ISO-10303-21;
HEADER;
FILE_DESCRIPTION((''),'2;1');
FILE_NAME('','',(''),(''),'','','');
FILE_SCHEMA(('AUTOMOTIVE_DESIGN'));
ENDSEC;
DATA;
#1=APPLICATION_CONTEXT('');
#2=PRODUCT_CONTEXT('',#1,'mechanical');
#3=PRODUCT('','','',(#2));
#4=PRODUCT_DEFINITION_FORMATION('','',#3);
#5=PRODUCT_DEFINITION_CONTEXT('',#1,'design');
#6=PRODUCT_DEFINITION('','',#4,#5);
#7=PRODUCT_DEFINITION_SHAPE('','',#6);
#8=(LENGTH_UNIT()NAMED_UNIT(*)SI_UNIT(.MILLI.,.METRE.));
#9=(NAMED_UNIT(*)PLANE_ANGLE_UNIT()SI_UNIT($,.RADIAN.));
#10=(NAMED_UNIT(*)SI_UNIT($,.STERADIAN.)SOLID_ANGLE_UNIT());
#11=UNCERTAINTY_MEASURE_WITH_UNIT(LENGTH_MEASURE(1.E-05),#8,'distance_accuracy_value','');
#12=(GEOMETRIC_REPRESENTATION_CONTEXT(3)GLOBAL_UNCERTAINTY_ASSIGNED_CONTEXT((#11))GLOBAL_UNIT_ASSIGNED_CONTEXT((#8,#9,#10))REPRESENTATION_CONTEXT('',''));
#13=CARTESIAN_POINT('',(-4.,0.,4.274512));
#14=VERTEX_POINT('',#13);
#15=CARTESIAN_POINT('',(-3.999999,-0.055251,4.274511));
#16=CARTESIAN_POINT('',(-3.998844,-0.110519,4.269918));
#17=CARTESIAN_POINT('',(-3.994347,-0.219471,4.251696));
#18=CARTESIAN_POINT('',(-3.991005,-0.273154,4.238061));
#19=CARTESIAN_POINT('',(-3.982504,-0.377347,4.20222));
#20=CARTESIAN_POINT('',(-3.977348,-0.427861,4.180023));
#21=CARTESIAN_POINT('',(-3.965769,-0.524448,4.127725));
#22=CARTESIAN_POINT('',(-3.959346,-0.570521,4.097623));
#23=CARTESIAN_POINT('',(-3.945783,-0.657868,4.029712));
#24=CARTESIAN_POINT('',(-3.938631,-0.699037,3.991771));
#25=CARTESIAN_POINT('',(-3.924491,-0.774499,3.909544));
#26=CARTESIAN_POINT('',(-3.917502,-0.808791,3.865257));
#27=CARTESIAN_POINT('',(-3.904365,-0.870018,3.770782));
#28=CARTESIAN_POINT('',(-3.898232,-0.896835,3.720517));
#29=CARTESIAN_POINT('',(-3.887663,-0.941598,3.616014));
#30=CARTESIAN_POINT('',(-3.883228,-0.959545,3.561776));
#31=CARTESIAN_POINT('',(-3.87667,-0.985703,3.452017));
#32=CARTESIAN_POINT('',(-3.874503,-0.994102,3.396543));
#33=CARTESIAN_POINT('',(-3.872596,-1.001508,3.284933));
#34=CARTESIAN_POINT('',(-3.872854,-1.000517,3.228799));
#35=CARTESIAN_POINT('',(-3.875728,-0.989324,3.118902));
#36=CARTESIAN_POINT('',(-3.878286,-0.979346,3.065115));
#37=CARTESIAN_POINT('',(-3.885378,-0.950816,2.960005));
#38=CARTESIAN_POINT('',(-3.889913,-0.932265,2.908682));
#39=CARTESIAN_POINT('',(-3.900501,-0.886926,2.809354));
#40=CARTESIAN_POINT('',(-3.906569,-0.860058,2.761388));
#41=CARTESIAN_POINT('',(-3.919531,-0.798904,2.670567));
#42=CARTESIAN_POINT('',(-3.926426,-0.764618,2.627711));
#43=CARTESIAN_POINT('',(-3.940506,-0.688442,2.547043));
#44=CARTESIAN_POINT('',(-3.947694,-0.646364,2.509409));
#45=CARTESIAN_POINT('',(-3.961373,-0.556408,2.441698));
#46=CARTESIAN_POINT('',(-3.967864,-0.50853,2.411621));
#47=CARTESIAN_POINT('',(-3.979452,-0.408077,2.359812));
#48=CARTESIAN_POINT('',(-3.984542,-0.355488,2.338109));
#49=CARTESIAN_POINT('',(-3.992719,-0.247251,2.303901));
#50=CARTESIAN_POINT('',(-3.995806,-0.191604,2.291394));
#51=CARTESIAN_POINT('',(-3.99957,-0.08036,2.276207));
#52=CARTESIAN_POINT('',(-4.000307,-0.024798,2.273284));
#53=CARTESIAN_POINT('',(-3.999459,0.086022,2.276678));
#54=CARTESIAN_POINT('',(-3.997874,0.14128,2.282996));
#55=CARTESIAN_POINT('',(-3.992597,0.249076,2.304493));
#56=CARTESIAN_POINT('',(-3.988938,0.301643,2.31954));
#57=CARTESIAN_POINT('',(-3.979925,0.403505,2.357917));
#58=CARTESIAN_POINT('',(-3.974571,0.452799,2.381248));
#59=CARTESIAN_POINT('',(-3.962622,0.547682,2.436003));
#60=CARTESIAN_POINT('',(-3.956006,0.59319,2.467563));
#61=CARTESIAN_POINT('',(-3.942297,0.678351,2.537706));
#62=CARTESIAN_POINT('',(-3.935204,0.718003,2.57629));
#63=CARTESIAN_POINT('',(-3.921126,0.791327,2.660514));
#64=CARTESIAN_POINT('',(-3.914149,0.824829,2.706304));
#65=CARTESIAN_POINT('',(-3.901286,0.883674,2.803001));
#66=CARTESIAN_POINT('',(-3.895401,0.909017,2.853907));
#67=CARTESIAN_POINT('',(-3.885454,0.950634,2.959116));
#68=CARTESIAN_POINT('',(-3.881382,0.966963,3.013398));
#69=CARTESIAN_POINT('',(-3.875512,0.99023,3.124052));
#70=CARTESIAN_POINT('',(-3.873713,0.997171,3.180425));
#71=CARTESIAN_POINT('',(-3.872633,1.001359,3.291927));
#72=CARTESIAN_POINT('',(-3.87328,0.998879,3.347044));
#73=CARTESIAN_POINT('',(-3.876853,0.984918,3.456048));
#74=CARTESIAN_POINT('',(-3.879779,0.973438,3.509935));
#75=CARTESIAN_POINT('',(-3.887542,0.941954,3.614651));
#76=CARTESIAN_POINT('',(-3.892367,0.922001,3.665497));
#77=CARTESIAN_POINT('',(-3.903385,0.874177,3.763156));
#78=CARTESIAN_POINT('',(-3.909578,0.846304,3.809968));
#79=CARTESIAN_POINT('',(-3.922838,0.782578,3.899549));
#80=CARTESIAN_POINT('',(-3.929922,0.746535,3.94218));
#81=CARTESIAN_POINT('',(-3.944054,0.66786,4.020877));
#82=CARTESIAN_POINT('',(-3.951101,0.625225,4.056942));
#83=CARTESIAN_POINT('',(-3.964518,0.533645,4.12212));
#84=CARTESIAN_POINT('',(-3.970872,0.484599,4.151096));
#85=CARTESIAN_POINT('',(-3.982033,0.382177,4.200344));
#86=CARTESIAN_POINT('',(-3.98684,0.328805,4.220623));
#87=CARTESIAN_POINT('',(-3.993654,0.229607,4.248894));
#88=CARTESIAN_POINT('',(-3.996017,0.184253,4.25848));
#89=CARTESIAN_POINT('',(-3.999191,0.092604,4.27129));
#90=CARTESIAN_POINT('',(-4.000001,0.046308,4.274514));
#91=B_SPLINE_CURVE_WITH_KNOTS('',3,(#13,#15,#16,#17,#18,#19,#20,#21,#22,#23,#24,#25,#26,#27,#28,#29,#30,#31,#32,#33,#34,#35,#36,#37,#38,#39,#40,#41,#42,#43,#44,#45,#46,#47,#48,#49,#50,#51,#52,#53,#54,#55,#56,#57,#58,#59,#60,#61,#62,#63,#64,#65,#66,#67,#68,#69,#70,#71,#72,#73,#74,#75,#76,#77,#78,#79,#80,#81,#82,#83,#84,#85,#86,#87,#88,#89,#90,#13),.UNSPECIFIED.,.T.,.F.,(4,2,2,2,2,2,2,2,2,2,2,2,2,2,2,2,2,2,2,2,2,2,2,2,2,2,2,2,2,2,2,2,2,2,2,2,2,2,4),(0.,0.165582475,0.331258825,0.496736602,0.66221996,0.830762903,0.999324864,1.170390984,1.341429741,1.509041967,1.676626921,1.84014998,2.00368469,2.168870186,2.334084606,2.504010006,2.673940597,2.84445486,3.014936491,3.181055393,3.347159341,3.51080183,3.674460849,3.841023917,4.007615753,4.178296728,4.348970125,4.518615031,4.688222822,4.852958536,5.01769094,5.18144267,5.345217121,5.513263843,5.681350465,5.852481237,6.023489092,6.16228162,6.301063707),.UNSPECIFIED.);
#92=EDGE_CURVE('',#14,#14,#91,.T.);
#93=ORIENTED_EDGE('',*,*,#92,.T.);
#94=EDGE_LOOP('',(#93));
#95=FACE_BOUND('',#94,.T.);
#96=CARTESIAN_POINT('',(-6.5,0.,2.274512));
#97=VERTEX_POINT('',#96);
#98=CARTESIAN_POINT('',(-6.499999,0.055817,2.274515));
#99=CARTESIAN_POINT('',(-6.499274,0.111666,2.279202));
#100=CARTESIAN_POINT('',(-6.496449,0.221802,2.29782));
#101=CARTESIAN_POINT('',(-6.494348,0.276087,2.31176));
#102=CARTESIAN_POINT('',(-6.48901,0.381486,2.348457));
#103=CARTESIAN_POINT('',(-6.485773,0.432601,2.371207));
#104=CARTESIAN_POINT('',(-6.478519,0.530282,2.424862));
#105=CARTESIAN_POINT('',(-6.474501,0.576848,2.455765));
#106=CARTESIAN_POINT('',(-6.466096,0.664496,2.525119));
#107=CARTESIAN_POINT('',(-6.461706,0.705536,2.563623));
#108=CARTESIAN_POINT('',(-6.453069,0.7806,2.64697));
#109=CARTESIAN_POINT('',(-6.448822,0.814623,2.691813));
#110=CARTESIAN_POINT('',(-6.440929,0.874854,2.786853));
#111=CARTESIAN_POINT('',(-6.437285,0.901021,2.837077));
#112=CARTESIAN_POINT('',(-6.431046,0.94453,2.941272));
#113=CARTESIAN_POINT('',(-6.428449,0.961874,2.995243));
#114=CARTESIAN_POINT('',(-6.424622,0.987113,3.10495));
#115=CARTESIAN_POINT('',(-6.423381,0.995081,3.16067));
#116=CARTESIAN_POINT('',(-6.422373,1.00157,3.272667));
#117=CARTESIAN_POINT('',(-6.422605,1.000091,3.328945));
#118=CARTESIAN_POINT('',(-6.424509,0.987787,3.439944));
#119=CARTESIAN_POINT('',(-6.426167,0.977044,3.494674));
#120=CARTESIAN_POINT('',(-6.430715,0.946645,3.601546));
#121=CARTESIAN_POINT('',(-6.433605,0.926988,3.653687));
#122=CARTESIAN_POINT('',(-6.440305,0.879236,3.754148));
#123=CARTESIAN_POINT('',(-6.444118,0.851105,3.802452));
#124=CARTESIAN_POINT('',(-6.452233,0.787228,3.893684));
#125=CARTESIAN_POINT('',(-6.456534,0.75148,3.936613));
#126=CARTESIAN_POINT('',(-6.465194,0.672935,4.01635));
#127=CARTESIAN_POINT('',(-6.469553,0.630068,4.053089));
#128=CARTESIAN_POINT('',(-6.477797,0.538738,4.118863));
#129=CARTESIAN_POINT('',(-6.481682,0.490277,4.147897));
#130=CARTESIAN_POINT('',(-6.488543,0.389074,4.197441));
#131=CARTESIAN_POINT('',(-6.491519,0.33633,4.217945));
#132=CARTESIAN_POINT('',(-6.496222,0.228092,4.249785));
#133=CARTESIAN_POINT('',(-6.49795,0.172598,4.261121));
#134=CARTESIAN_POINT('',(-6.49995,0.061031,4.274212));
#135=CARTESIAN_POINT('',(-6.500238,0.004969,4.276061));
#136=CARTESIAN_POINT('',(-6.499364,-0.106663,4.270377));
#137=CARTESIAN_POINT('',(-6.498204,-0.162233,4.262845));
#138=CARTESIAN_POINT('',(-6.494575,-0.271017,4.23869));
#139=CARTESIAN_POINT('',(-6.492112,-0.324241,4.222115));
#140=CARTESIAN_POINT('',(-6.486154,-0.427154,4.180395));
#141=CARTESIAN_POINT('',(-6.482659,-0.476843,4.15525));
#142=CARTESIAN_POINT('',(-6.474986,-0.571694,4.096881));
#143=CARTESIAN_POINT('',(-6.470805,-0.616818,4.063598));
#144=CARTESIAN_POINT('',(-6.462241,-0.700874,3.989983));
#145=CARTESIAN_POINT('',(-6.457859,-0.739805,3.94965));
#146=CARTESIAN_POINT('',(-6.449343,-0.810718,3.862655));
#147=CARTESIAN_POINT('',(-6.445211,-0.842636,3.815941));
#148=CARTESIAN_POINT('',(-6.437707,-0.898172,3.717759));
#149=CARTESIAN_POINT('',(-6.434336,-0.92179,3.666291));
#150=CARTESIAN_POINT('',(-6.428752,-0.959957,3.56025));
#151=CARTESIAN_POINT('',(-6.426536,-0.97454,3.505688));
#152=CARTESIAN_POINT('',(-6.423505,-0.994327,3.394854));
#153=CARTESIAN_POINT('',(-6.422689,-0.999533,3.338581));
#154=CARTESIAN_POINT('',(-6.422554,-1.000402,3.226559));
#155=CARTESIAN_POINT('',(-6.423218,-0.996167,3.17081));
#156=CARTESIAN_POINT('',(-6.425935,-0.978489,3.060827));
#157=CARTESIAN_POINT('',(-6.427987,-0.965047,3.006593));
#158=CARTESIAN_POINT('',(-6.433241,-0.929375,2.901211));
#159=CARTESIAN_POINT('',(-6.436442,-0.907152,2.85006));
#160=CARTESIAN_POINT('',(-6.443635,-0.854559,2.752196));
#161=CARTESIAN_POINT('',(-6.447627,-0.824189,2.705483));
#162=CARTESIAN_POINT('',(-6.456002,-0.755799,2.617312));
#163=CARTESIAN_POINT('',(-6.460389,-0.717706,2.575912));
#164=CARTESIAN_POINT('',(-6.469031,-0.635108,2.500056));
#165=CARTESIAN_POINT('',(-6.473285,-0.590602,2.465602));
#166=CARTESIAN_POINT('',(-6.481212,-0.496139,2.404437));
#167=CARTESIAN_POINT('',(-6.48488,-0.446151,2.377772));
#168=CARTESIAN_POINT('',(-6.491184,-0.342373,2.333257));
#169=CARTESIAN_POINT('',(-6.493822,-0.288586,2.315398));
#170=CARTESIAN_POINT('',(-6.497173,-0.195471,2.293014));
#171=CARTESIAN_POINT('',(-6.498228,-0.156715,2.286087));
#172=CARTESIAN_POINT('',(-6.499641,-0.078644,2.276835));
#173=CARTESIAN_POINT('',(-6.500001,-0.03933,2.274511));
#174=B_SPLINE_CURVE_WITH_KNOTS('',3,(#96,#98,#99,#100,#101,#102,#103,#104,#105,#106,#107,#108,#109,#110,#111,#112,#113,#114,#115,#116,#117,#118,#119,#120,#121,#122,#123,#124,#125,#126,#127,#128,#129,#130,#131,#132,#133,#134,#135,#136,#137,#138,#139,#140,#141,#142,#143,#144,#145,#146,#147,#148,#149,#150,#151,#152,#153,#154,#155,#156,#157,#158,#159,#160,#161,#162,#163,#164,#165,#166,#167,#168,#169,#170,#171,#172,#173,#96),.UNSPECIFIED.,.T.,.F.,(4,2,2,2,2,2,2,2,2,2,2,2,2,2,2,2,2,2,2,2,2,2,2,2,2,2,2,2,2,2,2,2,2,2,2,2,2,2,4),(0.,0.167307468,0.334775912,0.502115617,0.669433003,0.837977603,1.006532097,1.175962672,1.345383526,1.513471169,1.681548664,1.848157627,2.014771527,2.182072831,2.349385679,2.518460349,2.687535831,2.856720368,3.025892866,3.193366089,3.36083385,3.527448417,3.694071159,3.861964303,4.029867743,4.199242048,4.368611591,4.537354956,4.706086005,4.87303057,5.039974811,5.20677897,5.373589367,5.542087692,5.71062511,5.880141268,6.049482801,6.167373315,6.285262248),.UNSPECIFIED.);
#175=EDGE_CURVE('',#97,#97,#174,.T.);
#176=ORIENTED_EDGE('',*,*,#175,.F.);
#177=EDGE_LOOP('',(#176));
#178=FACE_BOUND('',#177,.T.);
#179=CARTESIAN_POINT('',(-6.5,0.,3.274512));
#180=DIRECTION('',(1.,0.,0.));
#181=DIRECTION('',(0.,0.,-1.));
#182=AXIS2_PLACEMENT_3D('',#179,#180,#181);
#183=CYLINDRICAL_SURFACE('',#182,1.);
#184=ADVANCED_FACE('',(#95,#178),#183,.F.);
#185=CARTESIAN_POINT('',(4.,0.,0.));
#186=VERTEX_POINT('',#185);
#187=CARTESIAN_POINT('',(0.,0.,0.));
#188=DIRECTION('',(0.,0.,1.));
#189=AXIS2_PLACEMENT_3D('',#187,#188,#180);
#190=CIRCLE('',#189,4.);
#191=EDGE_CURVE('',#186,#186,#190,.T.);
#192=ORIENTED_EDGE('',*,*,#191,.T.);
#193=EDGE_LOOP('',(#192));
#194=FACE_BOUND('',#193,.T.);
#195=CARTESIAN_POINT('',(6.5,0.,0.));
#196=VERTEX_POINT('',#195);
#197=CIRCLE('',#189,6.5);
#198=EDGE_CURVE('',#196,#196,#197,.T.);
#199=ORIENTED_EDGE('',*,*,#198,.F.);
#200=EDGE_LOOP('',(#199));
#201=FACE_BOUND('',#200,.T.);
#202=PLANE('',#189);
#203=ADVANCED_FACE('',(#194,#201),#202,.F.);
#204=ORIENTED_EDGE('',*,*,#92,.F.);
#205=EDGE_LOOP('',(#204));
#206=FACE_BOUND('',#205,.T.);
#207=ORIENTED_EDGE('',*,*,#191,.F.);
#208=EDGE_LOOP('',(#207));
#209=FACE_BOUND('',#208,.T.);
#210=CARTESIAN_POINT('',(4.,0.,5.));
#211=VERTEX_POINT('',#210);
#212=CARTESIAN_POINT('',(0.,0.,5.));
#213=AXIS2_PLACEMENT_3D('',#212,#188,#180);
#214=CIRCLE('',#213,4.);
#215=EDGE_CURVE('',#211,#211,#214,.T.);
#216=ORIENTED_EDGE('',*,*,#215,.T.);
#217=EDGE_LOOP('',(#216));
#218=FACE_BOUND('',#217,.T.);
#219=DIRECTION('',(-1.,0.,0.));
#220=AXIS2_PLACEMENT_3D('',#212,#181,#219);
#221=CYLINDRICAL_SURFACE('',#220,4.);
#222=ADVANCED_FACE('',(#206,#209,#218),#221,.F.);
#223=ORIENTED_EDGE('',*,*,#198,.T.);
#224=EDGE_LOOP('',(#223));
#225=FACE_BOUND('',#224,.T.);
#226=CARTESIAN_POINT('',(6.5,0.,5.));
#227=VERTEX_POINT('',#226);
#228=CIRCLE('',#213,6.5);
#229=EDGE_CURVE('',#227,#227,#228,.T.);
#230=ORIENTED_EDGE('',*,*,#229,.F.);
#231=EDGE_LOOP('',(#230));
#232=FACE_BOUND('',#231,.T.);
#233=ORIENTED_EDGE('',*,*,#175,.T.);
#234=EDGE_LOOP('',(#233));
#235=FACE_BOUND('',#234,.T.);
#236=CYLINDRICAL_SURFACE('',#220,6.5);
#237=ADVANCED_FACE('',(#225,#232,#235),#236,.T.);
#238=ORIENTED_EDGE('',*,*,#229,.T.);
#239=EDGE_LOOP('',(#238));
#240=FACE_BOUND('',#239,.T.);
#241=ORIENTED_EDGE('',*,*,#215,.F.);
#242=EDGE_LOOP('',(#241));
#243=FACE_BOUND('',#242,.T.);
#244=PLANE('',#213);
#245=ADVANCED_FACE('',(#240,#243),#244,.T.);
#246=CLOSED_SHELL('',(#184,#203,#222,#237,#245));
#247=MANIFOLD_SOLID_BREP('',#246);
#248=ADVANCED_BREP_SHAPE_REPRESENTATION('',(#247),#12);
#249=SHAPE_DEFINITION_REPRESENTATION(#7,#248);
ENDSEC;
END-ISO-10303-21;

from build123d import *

# Parameters (mm, degrees)
ESQUISSE1_R      = 6.5
ESQUISSE1_R_2    = 4
EXTRUSION1_DEPTH = 5
ESQUISSE2_R      = 1
EXTRUSION2_DEPTH = 7.5


with BuildPart() as part:
    # Esquisse1 → Extrusion1 (new body)
    with BuildSketch(Plane.XY):
        Circle(ESQUISSE1_R)
        Circle(ESQUISSE1_R_2, mode=Mode.SUBTRACT)
    extrude(amount=EXTRUSION1_DEPTH)

    # Esquisse2 → Extrusion2 (cut, through all)
    with BuildSketch(Plane(origin=(0, 0, 0), x_dir=(0, 0, -1), z_dir=(1, 0, 0))):
        with Locations((-3.274512487, 0)):
            Circle(ESQUISSE2_R)
    extrude(amount=-EXTRUSION2_DEPTH, mode=Mode.SUBTRACT)


solid = part.part
